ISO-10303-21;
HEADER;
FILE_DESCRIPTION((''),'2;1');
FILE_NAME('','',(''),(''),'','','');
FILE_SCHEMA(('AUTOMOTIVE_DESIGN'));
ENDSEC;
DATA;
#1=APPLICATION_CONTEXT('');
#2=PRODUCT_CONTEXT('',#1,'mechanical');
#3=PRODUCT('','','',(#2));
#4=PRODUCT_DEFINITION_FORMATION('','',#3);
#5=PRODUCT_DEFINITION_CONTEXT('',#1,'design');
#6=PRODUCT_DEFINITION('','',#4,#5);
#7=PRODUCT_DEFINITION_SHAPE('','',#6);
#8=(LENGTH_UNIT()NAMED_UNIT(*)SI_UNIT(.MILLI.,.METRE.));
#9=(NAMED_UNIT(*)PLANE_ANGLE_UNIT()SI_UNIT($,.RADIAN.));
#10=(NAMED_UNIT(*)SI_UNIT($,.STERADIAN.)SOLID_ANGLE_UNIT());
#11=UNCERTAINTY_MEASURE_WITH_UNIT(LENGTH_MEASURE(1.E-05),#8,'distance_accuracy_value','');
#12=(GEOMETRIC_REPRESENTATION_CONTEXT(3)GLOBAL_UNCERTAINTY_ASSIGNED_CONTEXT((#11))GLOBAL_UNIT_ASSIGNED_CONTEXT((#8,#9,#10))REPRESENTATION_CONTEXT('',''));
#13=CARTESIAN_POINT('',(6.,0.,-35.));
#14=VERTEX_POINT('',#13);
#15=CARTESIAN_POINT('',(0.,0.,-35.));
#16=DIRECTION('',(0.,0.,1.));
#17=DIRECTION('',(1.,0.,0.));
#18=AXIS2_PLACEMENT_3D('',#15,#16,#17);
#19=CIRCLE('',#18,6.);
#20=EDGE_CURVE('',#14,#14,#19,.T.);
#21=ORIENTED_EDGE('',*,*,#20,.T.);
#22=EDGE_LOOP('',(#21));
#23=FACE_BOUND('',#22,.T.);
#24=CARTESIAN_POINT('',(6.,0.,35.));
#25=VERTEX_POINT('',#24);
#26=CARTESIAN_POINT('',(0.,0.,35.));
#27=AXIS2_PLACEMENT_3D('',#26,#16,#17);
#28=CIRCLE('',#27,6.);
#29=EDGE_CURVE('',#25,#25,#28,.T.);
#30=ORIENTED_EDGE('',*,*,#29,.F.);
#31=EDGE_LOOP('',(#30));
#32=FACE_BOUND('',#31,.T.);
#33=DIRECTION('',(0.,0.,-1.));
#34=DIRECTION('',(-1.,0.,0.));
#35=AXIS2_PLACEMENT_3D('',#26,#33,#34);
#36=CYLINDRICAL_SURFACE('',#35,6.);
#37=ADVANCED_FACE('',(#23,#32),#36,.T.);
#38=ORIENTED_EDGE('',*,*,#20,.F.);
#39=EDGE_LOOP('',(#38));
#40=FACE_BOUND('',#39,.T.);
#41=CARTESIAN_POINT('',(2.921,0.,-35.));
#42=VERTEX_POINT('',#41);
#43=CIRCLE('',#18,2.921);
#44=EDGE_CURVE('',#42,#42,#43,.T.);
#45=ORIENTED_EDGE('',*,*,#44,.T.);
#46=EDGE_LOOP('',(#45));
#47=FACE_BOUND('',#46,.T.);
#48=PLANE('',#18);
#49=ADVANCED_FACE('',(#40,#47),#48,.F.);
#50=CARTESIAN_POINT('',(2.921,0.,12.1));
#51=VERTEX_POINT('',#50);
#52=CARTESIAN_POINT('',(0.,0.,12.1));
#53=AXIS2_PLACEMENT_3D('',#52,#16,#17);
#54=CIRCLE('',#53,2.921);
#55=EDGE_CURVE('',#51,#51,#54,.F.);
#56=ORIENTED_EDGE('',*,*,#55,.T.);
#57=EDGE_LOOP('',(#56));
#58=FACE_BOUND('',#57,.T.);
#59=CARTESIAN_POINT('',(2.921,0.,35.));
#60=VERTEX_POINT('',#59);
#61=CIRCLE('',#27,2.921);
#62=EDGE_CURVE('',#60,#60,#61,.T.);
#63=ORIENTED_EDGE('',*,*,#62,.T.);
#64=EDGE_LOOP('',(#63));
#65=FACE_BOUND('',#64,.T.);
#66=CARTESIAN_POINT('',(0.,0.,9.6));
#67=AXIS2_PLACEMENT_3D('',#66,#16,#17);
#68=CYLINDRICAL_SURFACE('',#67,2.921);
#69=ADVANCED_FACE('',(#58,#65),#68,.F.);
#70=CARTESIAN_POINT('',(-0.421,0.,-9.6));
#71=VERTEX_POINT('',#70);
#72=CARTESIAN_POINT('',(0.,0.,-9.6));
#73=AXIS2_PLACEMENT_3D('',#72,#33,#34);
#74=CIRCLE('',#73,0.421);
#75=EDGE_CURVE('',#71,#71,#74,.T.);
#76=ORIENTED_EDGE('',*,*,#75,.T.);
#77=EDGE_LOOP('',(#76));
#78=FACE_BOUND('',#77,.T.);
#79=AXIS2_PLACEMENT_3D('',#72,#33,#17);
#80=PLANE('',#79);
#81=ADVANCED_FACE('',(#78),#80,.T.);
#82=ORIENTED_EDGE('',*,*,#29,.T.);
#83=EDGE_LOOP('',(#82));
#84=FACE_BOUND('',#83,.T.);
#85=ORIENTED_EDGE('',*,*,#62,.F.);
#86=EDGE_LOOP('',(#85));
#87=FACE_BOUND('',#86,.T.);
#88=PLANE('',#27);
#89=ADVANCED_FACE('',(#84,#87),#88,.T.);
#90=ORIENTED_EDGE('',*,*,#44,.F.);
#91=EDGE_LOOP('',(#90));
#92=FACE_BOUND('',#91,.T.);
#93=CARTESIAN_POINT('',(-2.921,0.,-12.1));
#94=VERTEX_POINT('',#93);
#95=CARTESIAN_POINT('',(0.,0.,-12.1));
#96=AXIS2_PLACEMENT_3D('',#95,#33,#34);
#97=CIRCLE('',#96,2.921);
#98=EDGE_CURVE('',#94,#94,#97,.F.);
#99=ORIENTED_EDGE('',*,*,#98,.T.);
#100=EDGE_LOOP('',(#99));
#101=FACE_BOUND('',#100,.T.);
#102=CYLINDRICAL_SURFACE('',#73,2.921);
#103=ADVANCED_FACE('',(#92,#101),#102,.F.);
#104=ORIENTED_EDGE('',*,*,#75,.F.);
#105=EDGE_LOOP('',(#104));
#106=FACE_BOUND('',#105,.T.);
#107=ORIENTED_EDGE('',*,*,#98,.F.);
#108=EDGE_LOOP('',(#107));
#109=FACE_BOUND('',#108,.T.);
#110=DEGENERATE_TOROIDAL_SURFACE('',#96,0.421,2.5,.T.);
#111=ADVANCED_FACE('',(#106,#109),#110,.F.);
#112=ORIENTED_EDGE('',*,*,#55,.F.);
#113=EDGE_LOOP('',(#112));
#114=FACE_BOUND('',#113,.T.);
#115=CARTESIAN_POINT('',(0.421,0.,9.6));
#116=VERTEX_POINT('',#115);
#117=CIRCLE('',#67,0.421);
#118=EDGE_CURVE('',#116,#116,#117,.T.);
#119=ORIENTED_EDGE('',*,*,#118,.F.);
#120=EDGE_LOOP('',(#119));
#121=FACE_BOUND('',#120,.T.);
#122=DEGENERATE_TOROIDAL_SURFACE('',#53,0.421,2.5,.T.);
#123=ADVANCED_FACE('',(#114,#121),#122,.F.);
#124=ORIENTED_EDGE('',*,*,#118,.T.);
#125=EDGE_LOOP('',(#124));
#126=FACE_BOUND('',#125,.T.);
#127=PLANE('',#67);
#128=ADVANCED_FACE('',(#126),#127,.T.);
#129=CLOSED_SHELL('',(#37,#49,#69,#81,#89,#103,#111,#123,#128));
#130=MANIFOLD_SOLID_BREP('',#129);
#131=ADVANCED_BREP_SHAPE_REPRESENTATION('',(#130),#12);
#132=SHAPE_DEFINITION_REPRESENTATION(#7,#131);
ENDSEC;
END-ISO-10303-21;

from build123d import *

# Parameters (mm, degrees)
SKETCH1_R           = 6
BOSS_EXTRUDE1_DEPTH = 35
SKETCH2_R           = 2.921
CUT_EXTRUDE1_DEPTH  = 25.4
FILLET1_R           = 2.5


with BuildPart() as part:
    # Sketch1 → Boss-Extrude1 (new, symmetric)
    with BuildSketch(Plane.XY):
        Circle(SKETCH1_R)
    extrude(amount=BOSS_EXTRUDE1_DEPTH, both=True)

    # Sketch2 → Cut-Extrude1 (cut)
    with BuildSketch(Plane.XY.offset(35)):
        Circle(SKETCH2_R)
    cut_extrude1 = extrude(amount=-CUT_EXTRUDE1_DEPTH, mode=Mode.SUBTRACT)

    # Mirror1: Cut-Extrude1 across plane
    add(cut_extrude1.mirror(Plane.XY), mode=Mode.SUBTRACT)

    # Fillet1
    fillet1_edges = [part.edges().sort_by_distance(p)[0] for p in [
        (-2.921, 0, -9.6),
        (-2.921, 0, 9.6),
    ]]
    fillet(fillet1_edges, radius=FILLET1_R)


solid = part.part
